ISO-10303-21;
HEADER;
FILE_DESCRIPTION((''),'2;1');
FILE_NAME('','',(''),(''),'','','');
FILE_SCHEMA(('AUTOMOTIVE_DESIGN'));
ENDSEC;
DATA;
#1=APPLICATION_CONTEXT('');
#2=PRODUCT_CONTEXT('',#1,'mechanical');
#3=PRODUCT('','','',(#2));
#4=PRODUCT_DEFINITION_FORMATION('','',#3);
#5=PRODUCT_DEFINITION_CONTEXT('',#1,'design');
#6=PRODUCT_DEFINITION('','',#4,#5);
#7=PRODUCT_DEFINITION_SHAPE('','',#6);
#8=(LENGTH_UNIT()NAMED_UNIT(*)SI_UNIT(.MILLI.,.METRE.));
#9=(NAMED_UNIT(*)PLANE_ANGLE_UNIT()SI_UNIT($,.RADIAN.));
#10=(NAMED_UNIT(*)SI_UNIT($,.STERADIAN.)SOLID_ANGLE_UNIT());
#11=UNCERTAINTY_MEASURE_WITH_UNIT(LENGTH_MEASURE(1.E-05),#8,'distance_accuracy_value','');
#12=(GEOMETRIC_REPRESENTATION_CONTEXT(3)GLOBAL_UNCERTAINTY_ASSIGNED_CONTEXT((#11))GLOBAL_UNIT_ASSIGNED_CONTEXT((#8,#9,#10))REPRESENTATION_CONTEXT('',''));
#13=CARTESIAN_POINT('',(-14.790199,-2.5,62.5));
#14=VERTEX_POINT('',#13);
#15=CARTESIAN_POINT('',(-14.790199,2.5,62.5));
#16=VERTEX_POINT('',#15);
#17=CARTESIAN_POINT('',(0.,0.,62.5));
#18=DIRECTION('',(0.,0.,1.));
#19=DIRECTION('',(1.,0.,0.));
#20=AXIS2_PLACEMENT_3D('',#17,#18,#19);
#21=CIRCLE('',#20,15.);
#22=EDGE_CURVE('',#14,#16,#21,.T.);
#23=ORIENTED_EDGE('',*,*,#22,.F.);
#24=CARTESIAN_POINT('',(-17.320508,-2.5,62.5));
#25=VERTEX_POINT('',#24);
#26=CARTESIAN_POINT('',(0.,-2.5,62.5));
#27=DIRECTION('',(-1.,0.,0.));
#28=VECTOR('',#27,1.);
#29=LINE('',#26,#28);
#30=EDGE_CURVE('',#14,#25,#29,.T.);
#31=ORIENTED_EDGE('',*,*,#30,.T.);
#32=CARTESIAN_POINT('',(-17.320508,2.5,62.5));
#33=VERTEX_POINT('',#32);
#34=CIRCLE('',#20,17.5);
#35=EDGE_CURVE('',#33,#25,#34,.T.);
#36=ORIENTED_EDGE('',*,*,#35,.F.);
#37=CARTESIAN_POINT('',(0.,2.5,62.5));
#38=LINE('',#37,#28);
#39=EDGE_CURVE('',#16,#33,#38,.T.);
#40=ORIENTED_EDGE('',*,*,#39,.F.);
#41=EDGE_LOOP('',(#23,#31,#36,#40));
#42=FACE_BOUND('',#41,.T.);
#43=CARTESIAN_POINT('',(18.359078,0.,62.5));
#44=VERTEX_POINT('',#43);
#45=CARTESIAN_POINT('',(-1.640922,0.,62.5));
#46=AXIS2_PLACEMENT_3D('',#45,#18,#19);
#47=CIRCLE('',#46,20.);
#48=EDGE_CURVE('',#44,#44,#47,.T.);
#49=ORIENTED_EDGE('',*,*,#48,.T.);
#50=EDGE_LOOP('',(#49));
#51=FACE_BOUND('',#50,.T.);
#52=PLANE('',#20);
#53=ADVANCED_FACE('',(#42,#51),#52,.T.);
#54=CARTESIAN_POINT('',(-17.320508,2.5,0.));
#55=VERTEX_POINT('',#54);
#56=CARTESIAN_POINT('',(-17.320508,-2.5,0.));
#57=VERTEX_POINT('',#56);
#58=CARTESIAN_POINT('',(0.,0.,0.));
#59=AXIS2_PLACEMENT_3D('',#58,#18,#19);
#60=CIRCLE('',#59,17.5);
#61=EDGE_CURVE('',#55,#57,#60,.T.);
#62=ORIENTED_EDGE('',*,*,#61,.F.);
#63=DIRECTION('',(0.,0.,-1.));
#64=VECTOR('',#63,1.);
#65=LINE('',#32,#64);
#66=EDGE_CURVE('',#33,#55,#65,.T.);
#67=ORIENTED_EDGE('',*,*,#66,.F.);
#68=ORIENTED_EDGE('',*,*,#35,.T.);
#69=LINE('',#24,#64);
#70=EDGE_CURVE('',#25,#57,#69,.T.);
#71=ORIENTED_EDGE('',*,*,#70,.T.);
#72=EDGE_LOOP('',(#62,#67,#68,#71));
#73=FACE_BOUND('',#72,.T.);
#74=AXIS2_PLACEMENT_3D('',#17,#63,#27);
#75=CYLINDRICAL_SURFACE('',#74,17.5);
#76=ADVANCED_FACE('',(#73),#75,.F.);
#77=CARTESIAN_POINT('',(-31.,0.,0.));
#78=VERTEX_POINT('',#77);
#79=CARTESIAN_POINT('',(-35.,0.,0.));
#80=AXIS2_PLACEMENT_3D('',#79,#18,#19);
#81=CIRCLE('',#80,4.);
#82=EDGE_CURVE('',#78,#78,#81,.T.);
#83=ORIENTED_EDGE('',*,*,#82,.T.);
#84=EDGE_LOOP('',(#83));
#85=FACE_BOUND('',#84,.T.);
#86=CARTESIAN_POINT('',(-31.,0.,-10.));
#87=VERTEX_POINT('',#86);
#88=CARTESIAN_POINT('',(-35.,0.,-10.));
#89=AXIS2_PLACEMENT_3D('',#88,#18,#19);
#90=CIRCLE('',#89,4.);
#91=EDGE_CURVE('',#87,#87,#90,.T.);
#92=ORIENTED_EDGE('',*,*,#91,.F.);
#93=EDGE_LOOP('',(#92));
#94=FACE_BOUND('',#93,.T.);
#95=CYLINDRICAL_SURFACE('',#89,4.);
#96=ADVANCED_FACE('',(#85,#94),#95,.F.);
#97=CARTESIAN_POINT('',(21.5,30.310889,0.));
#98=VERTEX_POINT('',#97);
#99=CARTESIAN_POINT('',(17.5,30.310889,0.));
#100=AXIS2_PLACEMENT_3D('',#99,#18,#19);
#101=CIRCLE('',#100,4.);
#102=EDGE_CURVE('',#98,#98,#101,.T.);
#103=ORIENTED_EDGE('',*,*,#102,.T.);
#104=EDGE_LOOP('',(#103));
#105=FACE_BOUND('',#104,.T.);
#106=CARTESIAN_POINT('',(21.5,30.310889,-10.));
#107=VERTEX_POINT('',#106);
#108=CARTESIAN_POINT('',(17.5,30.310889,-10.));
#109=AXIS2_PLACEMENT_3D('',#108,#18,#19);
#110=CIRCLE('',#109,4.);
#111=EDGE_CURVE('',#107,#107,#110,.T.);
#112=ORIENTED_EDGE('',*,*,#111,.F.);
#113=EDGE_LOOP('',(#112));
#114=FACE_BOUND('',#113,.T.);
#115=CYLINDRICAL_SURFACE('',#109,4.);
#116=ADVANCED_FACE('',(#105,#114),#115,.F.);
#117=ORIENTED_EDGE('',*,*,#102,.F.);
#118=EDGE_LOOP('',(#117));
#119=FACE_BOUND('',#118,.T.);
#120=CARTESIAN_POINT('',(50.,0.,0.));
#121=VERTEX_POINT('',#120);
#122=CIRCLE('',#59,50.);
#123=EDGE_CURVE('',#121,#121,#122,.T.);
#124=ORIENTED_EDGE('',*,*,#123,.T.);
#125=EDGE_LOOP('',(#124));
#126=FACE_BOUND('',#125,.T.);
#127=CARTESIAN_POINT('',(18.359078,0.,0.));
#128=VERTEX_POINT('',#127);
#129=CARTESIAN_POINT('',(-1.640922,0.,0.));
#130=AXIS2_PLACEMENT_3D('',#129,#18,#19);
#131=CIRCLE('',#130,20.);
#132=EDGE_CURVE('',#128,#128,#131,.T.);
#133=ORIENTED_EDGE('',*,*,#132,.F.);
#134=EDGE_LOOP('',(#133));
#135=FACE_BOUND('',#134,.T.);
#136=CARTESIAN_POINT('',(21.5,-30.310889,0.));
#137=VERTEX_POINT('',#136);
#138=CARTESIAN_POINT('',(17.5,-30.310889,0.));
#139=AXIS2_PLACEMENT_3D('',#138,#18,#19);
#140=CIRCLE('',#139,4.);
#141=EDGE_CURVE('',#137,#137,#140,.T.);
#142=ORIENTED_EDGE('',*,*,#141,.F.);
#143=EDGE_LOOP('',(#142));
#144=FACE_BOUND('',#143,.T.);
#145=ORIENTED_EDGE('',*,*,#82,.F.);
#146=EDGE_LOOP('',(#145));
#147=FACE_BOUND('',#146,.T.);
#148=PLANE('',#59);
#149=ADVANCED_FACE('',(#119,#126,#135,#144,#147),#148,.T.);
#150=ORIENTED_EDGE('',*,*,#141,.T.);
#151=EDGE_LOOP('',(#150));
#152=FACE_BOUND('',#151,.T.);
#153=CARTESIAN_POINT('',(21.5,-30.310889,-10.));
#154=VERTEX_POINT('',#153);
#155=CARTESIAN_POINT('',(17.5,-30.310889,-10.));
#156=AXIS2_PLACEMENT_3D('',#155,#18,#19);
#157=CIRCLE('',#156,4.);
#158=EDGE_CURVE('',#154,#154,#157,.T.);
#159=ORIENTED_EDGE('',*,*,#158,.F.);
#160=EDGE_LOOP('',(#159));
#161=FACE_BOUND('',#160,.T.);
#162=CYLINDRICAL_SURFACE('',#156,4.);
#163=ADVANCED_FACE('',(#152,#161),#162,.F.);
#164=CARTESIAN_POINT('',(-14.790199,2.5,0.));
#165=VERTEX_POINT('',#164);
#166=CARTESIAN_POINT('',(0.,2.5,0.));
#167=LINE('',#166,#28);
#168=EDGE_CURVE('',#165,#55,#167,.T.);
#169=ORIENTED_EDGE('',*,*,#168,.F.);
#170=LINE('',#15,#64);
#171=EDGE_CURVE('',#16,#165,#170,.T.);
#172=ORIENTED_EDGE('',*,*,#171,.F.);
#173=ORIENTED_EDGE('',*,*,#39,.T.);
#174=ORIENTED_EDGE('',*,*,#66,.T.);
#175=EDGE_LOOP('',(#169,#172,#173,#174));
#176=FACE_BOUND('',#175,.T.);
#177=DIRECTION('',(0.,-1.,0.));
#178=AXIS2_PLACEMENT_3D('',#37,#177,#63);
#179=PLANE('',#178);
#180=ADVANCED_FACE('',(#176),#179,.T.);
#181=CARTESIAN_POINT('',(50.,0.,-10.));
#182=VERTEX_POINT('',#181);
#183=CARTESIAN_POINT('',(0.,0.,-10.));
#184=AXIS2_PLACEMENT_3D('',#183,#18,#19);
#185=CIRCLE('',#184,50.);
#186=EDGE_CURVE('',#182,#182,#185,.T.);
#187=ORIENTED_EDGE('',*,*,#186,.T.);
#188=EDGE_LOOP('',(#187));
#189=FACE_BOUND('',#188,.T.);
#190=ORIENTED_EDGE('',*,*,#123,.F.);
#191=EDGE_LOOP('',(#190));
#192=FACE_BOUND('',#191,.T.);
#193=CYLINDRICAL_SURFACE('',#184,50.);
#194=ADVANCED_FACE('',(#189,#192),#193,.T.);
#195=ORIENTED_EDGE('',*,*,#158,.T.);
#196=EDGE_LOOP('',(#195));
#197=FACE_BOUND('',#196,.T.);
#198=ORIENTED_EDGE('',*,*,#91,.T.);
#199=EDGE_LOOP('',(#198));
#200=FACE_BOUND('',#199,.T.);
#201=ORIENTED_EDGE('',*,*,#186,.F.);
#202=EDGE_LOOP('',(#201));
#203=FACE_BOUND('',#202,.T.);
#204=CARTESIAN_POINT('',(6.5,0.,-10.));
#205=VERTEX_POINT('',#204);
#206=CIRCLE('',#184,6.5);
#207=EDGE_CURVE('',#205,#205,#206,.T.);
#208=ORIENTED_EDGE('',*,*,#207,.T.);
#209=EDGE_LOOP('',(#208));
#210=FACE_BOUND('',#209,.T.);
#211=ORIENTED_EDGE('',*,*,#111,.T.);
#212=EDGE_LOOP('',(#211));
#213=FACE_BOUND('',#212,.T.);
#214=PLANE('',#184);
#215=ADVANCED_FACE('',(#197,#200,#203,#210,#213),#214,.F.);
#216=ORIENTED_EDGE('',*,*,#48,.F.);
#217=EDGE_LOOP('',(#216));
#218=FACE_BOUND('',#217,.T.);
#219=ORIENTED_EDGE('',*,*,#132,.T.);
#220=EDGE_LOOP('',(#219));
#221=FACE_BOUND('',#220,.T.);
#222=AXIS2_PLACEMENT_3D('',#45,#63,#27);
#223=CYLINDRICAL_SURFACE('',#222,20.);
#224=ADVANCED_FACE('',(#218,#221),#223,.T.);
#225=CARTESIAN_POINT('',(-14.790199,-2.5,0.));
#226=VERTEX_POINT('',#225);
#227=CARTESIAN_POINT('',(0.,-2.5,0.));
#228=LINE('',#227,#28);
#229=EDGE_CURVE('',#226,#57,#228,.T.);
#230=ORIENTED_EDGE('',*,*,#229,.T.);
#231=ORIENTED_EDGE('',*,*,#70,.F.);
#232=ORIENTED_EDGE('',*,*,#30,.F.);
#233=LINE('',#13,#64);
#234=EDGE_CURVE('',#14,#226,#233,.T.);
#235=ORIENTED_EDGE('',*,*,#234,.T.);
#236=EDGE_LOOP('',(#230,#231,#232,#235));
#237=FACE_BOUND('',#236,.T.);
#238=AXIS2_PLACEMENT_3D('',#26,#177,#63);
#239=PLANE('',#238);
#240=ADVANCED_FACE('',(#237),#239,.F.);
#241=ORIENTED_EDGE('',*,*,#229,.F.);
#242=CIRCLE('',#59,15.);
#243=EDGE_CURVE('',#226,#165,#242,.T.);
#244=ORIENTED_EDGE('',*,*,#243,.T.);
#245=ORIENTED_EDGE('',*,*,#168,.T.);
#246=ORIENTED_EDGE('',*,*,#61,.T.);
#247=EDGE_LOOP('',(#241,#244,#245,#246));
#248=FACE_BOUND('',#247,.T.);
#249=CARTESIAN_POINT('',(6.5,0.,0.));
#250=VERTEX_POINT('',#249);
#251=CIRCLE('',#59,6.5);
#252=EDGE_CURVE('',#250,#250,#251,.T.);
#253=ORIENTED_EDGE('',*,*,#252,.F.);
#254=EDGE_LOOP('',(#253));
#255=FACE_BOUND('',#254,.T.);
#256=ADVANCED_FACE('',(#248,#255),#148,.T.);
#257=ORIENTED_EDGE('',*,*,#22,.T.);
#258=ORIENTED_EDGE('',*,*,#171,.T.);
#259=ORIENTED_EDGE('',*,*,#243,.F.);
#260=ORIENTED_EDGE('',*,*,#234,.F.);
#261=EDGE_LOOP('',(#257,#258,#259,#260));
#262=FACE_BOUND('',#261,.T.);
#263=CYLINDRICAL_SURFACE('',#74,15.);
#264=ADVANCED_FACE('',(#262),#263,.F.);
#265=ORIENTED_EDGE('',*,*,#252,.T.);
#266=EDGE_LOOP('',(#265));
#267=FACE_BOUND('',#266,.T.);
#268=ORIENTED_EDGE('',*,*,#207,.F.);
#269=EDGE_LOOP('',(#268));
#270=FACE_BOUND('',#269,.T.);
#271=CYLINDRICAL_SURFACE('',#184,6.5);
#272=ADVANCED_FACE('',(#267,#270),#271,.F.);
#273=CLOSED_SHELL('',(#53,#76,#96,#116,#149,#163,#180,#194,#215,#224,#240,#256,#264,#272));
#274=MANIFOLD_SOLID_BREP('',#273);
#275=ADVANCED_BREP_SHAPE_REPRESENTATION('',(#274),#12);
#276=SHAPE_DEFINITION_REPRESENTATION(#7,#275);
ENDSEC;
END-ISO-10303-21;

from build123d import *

# Parameters (mm, degrees)
SKETCH1_R               = 50
BOSS_EXTRUDE1_DEPTH     = 10
SKETCH1_3_R             = 4
CUT_EXTRUDE1_DEPTH      = 10
SKETCH1_4_R             = 20
BOSS_EXTRUDE2_DEPTH     = 62.5
SKETCH3_R               = 6.5
CUT_EXTRUDE3_DEPTH      = 63.5
CUT_EXTRUDE3_DEPTH_BACK = 11


with BuildPart() as part:
    # Sketch1 → Boss-Extrude1 (new body)
    with BuildSketch(Plane.XY):
        Circle(SKETCH1_R)
    extrude(amount=-BOSS_EXTRUDE1_DEPTH)

    # Sketch1<3> → Cut-Extrude1 (cut)
    with BuildSketch(Plane.XY):
        with Locations((-35, 0)):
            Circle(SKETCH1_3_R)
        with Locations((17.5, 30.310889132)):
            Circle(SKETCH1_3_R)
        with Locations((17.5, -30.310889132)):
            Circle(SKETCH1_3_R)
    extrude(amount=-CUT_EXTRUDE1_DEPTH, mode=Mode.SUBTRACT)

    # Sketch1<4> → Boss-Extrude2 (add)
    with BuildSketch(Plane.XY):
        with Locations((-1.640921825, 0)):
            Circle(SKETCH1_4_R)
        with BuildLine():
            ThreePointArc((-17.320508076, 2.5), (-17.5, 0), (-17.320508076, -2.5))
            Line((-17.320508076, -2.5), (-14.790199458, -2.5))
            ThreePointArc((-14.790199458, -2.5), (15, 0), (-14.790199458, 2.5))
            Line((-14.790199458, 2.5), (-17.320508076, 2.5))
        make_face(mode=Mode.SUBTRACT)
    extrude(amount=BOSS_EXTRUDE2_DEPTH)

    # Sketch3 → Cut-Extrude3 (cut, two sides)
    with BuildSketch(Plane.XY) as cut_extrude3_sk:
        Circle(SKETCH3_R)
    extrude(amount=CUT_EXTRUDE3_DEPTH, mode=Mode.SUBTRACT)
    extrude(cut_extrude3_sk.sketch, amount=-CUT_EXTRUDE3_DEPTH_BACK, mode=Mode.SUBTRACT)


solid = part.part
